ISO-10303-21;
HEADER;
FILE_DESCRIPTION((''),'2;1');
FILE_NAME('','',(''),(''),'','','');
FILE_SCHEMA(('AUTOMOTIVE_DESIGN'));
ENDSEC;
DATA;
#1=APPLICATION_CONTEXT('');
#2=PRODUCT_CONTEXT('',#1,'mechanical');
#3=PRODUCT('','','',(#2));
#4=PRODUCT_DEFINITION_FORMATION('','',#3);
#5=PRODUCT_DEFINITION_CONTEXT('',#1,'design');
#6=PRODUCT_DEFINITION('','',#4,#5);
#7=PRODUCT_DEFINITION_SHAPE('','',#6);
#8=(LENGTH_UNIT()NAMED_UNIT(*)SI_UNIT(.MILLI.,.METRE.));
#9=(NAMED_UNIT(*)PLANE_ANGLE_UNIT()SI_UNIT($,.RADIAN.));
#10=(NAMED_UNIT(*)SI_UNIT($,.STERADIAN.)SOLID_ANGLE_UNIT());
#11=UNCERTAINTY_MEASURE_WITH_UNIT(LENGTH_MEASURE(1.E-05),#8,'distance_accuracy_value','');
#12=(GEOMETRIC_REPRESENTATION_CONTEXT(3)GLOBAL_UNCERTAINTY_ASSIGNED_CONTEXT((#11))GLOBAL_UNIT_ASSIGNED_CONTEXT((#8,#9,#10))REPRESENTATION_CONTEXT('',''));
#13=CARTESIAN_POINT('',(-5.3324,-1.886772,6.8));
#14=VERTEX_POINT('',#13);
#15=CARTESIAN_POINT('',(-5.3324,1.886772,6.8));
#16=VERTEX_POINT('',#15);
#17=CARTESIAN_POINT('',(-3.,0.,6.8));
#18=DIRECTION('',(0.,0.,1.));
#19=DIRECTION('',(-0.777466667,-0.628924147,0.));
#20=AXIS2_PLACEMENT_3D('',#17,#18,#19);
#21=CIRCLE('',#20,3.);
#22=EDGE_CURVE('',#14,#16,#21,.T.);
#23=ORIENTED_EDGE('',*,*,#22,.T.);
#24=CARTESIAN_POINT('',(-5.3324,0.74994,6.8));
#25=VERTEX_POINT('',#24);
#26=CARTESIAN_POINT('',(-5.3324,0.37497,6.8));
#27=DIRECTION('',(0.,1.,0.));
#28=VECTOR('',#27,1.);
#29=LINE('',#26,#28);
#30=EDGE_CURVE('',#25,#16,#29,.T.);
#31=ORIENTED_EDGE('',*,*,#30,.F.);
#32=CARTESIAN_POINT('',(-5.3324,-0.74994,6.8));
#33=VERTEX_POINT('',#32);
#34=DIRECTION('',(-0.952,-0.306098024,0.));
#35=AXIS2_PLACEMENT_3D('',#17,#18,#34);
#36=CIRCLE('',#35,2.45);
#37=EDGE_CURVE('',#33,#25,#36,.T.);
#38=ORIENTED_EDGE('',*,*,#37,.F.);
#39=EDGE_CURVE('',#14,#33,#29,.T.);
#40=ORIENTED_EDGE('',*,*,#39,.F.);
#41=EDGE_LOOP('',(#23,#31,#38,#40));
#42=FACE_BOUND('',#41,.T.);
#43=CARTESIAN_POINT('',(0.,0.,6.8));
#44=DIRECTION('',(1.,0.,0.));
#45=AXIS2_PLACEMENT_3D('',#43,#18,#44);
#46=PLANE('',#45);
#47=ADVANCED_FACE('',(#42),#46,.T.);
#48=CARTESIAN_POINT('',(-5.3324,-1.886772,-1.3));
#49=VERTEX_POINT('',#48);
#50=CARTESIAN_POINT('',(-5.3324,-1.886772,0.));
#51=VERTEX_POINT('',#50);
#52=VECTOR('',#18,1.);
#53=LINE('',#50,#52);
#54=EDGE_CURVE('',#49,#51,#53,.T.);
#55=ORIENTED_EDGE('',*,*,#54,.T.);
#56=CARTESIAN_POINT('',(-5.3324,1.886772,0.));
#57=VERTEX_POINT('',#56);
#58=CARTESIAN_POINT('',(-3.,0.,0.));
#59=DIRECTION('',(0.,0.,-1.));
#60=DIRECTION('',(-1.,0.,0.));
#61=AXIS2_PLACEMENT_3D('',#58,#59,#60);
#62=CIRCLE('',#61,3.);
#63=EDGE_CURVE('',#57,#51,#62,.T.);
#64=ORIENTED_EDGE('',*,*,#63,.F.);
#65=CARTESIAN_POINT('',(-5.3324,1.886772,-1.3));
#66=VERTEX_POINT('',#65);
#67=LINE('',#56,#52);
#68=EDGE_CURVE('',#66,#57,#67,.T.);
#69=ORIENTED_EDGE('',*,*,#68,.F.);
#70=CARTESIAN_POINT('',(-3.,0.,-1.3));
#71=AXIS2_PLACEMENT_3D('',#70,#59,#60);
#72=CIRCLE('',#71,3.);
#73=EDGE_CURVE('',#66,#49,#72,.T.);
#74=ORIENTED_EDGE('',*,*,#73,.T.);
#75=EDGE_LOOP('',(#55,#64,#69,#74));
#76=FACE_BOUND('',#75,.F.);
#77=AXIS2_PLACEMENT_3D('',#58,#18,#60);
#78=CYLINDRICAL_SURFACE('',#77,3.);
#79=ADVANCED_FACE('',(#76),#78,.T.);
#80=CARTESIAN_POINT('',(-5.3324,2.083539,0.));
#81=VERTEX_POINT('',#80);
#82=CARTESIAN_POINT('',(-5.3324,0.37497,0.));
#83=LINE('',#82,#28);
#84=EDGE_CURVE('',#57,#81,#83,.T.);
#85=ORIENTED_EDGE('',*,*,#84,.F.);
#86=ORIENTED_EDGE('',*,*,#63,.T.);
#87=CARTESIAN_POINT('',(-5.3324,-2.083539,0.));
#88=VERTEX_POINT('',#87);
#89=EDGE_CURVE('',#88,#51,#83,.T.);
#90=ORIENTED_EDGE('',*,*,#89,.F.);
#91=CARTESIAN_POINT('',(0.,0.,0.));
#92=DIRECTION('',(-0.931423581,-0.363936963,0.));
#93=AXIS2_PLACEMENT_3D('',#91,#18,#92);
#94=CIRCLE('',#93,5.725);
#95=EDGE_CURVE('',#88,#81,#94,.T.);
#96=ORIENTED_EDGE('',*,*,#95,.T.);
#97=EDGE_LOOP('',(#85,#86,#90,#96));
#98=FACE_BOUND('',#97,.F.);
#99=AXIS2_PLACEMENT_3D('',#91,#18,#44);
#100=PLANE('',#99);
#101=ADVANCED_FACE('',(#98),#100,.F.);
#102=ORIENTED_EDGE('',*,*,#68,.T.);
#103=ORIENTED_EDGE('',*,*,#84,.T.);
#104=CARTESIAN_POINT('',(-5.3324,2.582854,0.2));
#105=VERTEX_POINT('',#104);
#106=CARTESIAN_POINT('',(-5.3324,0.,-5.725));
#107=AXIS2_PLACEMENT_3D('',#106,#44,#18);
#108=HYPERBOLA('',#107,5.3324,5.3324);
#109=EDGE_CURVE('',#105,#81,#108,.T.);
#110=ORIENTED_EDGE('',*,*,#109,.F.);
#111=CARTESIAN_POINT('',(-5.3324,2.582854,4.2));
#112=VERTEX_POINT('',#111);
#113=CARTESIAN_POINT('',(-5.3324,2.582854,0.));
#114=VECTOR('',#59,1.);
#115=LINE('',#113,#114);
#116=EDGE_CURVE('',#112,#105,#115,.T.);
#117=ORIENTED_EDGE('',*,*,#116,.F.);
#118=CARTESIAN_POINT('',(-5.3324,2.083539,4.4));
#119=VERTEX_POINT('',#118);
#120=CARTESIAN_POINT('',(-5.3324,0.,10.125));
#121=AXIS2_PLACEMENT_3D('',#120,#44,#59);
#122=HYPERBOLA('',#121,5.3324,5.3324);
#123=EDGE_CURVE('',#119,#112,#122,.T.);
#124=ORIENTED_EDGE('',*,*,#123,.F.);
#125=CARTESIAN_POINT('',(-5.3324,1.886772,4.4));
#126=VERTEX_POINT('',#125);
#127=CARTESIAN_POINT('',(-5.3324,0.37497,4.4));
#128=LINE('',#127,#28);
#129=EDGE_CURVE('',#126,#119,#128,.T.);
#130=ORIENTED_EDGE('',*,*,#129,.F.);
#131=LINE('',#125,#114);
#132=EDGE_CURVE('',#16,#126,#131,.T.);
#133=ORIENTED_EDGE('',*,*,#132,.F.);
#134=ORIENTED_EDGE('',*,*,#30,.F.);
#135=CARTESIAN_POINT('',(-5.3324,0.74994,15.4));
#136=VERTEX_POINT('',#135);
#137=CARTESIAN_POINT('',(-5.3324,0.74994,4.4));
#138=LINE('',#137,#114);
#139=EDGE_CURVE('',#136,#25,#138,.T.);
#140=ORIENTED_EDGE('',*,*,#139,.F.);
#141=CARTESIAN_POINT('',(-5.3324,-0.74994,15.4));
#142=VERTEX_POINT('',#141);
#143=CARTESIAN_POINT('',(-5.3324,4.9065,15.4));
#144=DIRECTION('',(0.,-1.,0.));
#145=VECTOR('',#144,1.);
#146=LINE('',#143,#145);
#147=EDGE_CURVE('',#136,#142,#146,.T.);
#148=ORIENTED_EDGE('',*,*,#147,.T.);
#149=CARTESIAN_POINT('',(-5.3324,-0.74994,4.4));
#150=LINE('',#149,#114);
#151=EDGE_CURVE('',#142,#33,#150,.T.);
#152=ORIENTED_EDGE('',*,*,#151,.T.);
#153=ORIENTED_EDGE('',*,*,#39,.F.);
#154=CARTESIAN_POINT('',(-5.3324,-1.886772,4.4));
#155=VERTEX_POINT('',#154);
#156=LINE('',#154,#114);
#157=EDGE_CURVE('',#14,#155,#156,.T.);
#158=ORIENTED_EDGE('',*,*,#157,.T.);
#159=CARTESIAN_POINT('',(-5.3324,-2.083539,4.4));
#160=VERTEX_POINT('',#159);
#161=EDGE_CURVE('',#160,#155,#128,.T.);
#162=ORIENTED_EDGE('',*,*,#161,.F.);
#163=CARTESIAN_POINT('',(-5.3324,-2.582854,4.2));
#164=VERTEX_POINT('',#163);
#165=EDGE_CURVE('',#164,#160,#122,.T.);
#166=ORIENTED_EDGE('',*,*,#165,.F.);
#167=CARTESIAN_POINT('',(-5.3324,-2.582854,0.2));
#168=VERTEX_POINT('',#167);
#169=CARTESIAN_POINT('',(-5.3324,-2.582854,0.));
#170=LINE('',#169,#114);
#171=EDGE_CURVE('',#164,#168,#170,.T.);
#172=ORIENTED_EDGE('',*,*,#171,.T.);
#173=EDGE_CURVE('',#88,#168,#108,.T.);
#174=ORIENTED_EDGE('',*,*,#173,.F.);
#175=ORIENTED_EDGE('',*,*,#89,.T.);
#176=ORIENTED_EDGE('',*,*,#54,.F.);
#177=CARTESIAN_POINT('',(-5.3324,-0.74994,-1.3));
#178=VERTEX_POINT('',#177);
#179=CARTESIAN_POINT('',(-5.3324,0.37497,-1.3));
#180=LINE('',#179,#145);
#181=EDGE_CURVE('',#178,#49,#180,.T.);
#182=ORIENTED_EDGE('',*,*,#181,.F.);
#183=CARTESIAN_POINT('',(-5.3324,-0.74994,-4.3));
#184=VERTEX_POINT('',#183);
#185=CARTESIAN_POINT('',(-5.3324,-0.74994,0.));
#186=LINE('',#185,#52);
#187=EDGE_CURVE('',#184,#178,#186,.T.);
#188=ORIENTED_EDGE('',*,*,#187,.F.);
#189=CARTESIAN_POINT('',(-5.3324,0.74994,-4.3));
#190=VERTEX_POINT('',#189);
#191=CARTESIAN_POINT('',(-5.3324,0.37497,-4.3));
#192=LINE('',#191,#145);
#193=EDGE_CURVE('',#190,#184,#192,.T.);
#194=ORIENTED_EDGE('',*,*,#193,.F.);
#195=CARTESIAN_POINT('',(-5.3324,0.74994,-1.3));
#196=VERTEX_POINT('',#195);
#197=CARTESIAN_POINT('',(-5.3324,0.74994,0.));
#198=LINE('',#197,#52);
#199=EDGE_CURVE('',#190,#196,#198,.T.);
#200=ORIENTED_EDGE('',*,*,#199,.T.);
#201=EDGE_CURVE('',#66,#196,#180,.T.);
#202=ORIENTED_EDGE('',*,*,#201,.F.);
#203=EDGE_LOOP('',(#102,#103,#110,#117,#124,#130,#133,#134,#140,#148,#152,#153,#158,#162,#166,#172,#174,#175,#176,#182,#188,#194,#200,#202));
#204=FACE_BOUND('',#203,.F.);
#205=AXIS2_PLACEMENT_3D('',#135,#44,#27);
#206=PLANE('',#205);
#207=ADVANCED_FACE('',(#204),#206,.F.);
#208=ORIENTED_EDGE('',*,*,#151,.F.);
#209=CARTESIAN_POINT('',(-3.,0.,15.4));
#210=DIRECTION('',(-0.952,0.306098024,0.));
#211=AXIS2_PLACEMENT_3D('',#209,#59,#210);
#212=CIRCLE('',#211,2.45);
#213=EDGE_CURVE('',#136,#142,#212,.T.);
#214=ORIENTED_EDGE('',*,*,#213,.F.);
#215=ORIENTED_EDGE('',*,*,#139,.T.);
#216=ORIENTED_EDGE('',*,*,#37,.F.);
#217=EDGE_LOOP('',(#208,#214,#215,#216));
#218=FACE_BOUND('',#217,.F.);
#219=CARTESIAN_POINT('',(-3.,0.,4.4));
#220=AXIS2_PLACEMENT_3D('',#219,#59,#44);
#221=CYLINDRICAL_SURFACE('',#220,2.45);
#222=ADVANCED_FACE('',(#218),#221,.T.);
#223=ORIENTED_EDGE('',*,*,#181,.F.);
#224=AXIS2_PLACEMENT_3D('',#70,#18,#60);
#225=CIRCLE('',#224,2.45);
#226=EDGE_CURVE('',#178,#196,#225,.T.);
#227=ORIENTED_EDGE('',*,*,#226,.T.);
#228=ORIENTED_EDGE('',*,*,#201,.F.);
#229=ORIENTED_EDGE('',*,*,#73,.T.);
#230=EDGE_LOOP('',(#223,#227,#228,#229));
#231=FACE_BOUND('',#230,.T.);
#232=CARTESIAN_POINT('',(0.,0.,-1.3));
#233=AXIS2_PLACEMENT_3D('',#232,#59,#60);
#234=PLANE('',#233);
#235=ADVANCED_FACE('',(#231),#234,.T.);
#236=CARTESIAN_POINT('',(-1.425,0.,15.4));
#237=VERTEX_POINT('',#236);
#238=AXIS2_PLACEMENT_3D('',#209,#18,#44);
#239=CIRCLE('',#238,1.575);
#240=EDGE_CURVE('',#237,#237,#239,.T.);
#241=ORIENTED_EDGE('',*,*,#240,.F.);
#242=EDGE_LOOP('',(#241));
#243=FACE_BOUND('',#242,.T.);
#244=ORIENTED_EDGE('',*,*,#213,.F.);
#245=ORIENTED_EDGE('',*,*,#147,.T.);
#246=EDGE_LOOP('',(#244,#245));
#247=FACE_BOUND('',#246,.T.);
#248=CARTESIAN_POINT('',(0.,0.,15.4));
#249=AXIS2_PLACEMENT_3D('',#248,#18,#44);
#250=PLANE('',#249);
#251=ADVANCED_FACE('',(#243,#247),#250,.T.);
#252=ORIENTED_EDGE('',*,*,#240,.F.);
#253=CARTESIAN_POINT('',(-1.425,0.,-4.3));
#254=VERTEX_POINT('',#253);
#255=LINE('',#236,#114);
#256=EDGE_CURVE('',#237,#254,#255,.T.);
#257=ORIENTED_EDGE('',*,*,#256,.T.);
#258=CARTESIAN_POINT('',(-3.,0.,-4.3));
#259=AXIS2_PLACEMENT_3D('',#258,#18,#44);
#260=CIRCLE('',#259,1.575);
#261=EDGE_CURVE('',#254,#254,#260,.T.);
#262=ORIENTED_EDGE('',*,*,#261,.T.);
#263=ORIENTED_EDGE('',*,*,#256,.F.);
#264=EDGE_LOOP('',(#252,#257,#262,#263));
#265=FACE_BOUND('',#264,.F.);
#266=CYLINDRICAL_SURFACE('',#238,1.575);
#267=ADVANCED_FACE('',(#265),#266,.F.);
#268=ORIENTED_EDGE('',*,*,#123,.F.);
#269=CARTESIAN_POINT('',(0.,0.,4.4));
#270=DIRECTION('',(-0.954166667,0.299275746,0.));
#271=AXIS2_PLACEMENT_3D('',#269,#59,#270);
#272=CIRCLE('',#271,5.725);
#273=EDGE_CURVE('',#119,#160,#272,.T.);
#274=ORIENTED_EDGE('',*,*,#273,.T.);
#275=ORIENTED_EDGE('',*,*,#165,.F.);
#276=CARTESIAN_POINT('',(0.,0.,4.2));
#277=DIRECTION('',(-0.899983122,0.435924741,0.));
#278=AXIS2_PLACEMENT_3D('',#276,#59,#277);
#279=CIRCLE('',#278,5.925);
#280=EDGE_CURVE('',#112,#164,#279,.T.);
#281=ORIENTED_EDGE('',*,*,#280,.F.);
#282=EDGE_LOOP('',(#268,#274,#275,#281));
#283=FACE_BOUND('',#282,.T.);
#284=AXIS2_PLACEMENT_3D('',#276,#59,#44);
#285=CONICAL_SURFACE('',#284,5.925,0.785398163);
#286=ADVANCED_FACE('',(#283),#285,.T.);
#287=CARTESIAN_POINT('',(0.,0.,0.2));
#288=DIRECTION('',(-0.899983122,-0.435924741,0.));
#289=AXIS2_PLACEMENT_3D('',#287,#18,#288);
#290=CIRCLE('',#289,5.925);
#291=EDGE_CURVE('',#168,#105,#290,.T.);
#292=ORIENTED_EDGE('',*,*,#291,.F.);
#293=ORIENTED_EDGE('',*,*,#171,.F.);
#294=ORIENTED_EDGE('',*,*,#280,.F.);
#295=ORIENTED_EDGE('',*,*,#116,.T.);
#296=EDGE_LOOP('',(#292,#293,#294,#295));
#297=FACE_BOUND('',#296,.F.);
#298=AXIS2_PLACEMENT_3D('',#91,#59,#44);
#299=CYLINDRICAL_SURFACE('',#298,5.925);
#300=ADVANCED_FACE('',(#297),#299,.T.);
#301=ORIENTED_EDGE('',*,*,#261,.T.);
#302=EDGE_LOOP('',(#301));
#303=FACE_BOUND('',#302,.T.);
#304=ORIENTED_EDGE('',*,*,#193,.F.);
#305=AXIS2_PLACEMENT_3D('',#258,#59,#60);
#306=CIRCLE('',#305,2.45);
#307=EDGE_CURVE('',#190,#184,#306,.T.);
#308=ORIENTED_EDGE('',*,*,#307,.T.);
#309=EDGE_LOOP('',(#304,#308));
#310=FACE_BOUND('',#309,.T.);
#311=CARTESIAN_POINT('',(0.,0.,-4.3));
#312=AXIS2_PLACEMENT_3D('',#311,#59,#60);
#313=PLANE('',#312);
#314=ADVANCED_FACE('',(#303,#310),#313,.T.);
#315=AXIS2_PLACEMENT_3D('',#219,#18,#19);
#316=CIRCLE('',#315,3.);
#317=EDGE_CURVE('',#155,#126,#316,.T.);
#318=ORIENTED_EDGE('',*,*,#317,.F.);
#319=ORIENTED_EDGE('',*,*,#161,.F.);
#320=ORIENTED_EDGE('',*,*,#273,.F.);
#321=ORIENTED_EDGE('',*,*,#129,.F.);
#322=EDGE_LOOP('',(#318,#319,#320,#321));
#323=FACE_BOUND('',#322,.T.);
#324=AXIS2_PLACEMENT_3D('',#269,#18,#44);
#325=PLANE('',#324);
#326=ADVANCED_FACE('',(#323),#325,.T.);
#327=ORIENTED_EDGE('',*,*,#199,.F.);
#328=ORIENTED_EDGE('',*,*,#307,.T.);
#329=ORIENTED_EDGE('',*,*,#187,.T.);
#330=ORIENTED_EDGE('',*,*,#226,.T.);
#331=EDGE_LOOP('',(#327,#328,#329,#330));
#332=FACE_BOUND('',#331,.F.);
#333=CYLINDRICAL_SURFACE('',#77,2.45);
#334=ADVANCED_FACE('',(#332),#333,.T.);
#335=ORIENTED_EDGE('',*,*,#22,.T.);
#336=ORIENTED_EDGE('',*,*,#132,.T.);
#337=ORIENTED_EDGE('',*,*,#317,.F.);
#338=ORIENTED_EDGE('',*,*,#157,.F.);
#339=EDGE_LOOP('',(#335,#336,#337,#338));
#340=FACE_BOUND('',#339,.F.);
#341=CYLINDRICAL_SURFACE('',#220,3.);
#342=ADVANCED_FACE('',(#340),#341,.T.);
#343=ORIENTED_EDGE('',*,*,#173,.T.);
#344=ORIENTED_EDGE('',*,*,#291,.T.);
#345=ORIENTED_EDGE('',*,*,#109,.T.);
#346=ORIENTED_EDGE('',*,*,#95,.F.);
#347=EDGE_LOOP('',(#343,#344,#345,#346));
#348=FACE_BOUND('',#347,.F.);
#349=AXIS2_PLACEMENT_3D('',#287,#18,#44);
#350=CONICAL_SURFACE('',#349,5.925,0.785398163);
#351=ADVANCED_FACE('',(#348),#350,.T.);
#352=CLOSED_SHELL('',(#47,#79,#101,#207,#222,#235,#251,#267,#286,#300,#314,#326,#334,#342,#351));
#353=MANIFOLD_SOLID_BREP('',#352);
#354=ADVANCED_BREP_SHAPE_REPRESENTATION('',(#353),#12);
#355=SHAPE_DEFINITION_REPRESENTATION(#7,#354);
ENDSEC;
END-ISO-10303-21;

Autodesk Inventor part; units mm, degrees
ref_plane "YZ Plane" through (0, 0, 0) normal (1, 0, 0) x (0, 1, 0)
ref_plane "XZ Plane" through (0, 0, 0) normal (0, 1, 0) x (-1, 0, 0)
ref_plane "XY Plane" through (0, 0, 0) normal (0, 0, 1) x (1, 0, 0)
sketch "Sketch1" plane through (0, 0, 0) normal (0, 0, 1) x (1, 0, 0)
  circle A0 centre (0, 0) radius 5.925
  dimension "d0" = 11.85
extrude "Extrusion1" add sketch "Sketch1" along normal blind 4.4
chamfer "Chamfer1" distance 0.2 angle 45 2 edges at (-5.925, 0, 0) (-5.925, 0, 4.4)
sketch "Sketch2" plane through (0, 0, 4.4) normal (0, 0, 1) x (1, 0, 0)
  line L0 (0, 0) -> (-3, 0) construction
  circle A0 centre (-3, 0) radius 2.45
  dimension "d3" = 4.9
  dimension "d4" = 3
extrude "Extrusion2" add sketch "Sketch2" along normal blind 11
sketch "Sketch3" plane through (0, 0, 4.4) normal (0, 0, 1) x (1, 0, 0)
  circle A0 centre (-3, 0) radius 2.45 projected
  circle A1 centre (-3, 0) radius 3
  point P0 (0, 0)
  dimension "d7" = 6
extrude "Extrusion3" add sketch "Sketch3" along normal blind 2.4 and the other way blind 1.1
sketch "Sketch4" plane through (0, 0, 0) normal (0, 0, -1) x (-1, 0, 0)
  circle A0 centre (3, 0) radius 2.45 projected
  point P0 (0, 0)
extrude "Extrusion4" add sketch "Sketch4" along normal blind 4.3 and the other way blind 1.5
sketch "Sketch5" plane through (0, 0, 0) normal (0, 0, -1) x (-1, 0, 0)
  circle A0 centre (3, 0) radius 3 projected
  point P0 (0, 0)
extrude "Extrusion5" add sketch "Sketch5" along normal blind 1.3 and the other way blind 1
sketch "Sketch7" plane through (-3, 0, 15.4) normal (0, 0, 1) x (1, 0, 0)
  circle A0 centre (0, 0) radius 2.45 construction
  circle A1 centre (0, 0) radius 1.575
  point P0 (3, 0)
  dimension "d25" = 3.15
extrude "Extrusion7" cut sketch "Sketch7" against normal through all
sketch "Sketch8" plane through (-3, 0, 15.4) normal (0, 0, 1) x (1, 0, 0)
  line L0 (-2.3324, 4.9065) -> (-4.551, 4.9065)
  line L1 (-4.551, 4.9065) -> (-4.551, -6.3773)
  line L2 (-4.551, -6.3773) -> (-2.3324, -6.3773)
  line L3 (-2.3324, -6.3773) -> (-2.3324, 4.9065)
  circle A0 centre (0, 0) radius 2.45 construction
  line L4 (-2.45, -0.7065) -> (-2.45, 0.5926) construction
  circle A1 centre (0, 0) radius 2.45 projected
  point P0 (3, 0)
  point P1 (-2.3324, 0.75)
  point P2 (-2.3324, -0.75)
  dimension "d31" = 1.5
extrude "Extrusion8" cut sketch "Sketch8" against normal through all contours L3 A1 L2 L1 L0 | L3 A1 picked at (-2.3672, 0.0845)
sketch "Sketch6" plane through (-3, 0, -4.3) normal (0, 0, -1) x (-1, 0, 0)
  circle A0 centre (0, 0) radius 2.5 projected
  point P0 (-3, 0)
properties part number "camshaft"
